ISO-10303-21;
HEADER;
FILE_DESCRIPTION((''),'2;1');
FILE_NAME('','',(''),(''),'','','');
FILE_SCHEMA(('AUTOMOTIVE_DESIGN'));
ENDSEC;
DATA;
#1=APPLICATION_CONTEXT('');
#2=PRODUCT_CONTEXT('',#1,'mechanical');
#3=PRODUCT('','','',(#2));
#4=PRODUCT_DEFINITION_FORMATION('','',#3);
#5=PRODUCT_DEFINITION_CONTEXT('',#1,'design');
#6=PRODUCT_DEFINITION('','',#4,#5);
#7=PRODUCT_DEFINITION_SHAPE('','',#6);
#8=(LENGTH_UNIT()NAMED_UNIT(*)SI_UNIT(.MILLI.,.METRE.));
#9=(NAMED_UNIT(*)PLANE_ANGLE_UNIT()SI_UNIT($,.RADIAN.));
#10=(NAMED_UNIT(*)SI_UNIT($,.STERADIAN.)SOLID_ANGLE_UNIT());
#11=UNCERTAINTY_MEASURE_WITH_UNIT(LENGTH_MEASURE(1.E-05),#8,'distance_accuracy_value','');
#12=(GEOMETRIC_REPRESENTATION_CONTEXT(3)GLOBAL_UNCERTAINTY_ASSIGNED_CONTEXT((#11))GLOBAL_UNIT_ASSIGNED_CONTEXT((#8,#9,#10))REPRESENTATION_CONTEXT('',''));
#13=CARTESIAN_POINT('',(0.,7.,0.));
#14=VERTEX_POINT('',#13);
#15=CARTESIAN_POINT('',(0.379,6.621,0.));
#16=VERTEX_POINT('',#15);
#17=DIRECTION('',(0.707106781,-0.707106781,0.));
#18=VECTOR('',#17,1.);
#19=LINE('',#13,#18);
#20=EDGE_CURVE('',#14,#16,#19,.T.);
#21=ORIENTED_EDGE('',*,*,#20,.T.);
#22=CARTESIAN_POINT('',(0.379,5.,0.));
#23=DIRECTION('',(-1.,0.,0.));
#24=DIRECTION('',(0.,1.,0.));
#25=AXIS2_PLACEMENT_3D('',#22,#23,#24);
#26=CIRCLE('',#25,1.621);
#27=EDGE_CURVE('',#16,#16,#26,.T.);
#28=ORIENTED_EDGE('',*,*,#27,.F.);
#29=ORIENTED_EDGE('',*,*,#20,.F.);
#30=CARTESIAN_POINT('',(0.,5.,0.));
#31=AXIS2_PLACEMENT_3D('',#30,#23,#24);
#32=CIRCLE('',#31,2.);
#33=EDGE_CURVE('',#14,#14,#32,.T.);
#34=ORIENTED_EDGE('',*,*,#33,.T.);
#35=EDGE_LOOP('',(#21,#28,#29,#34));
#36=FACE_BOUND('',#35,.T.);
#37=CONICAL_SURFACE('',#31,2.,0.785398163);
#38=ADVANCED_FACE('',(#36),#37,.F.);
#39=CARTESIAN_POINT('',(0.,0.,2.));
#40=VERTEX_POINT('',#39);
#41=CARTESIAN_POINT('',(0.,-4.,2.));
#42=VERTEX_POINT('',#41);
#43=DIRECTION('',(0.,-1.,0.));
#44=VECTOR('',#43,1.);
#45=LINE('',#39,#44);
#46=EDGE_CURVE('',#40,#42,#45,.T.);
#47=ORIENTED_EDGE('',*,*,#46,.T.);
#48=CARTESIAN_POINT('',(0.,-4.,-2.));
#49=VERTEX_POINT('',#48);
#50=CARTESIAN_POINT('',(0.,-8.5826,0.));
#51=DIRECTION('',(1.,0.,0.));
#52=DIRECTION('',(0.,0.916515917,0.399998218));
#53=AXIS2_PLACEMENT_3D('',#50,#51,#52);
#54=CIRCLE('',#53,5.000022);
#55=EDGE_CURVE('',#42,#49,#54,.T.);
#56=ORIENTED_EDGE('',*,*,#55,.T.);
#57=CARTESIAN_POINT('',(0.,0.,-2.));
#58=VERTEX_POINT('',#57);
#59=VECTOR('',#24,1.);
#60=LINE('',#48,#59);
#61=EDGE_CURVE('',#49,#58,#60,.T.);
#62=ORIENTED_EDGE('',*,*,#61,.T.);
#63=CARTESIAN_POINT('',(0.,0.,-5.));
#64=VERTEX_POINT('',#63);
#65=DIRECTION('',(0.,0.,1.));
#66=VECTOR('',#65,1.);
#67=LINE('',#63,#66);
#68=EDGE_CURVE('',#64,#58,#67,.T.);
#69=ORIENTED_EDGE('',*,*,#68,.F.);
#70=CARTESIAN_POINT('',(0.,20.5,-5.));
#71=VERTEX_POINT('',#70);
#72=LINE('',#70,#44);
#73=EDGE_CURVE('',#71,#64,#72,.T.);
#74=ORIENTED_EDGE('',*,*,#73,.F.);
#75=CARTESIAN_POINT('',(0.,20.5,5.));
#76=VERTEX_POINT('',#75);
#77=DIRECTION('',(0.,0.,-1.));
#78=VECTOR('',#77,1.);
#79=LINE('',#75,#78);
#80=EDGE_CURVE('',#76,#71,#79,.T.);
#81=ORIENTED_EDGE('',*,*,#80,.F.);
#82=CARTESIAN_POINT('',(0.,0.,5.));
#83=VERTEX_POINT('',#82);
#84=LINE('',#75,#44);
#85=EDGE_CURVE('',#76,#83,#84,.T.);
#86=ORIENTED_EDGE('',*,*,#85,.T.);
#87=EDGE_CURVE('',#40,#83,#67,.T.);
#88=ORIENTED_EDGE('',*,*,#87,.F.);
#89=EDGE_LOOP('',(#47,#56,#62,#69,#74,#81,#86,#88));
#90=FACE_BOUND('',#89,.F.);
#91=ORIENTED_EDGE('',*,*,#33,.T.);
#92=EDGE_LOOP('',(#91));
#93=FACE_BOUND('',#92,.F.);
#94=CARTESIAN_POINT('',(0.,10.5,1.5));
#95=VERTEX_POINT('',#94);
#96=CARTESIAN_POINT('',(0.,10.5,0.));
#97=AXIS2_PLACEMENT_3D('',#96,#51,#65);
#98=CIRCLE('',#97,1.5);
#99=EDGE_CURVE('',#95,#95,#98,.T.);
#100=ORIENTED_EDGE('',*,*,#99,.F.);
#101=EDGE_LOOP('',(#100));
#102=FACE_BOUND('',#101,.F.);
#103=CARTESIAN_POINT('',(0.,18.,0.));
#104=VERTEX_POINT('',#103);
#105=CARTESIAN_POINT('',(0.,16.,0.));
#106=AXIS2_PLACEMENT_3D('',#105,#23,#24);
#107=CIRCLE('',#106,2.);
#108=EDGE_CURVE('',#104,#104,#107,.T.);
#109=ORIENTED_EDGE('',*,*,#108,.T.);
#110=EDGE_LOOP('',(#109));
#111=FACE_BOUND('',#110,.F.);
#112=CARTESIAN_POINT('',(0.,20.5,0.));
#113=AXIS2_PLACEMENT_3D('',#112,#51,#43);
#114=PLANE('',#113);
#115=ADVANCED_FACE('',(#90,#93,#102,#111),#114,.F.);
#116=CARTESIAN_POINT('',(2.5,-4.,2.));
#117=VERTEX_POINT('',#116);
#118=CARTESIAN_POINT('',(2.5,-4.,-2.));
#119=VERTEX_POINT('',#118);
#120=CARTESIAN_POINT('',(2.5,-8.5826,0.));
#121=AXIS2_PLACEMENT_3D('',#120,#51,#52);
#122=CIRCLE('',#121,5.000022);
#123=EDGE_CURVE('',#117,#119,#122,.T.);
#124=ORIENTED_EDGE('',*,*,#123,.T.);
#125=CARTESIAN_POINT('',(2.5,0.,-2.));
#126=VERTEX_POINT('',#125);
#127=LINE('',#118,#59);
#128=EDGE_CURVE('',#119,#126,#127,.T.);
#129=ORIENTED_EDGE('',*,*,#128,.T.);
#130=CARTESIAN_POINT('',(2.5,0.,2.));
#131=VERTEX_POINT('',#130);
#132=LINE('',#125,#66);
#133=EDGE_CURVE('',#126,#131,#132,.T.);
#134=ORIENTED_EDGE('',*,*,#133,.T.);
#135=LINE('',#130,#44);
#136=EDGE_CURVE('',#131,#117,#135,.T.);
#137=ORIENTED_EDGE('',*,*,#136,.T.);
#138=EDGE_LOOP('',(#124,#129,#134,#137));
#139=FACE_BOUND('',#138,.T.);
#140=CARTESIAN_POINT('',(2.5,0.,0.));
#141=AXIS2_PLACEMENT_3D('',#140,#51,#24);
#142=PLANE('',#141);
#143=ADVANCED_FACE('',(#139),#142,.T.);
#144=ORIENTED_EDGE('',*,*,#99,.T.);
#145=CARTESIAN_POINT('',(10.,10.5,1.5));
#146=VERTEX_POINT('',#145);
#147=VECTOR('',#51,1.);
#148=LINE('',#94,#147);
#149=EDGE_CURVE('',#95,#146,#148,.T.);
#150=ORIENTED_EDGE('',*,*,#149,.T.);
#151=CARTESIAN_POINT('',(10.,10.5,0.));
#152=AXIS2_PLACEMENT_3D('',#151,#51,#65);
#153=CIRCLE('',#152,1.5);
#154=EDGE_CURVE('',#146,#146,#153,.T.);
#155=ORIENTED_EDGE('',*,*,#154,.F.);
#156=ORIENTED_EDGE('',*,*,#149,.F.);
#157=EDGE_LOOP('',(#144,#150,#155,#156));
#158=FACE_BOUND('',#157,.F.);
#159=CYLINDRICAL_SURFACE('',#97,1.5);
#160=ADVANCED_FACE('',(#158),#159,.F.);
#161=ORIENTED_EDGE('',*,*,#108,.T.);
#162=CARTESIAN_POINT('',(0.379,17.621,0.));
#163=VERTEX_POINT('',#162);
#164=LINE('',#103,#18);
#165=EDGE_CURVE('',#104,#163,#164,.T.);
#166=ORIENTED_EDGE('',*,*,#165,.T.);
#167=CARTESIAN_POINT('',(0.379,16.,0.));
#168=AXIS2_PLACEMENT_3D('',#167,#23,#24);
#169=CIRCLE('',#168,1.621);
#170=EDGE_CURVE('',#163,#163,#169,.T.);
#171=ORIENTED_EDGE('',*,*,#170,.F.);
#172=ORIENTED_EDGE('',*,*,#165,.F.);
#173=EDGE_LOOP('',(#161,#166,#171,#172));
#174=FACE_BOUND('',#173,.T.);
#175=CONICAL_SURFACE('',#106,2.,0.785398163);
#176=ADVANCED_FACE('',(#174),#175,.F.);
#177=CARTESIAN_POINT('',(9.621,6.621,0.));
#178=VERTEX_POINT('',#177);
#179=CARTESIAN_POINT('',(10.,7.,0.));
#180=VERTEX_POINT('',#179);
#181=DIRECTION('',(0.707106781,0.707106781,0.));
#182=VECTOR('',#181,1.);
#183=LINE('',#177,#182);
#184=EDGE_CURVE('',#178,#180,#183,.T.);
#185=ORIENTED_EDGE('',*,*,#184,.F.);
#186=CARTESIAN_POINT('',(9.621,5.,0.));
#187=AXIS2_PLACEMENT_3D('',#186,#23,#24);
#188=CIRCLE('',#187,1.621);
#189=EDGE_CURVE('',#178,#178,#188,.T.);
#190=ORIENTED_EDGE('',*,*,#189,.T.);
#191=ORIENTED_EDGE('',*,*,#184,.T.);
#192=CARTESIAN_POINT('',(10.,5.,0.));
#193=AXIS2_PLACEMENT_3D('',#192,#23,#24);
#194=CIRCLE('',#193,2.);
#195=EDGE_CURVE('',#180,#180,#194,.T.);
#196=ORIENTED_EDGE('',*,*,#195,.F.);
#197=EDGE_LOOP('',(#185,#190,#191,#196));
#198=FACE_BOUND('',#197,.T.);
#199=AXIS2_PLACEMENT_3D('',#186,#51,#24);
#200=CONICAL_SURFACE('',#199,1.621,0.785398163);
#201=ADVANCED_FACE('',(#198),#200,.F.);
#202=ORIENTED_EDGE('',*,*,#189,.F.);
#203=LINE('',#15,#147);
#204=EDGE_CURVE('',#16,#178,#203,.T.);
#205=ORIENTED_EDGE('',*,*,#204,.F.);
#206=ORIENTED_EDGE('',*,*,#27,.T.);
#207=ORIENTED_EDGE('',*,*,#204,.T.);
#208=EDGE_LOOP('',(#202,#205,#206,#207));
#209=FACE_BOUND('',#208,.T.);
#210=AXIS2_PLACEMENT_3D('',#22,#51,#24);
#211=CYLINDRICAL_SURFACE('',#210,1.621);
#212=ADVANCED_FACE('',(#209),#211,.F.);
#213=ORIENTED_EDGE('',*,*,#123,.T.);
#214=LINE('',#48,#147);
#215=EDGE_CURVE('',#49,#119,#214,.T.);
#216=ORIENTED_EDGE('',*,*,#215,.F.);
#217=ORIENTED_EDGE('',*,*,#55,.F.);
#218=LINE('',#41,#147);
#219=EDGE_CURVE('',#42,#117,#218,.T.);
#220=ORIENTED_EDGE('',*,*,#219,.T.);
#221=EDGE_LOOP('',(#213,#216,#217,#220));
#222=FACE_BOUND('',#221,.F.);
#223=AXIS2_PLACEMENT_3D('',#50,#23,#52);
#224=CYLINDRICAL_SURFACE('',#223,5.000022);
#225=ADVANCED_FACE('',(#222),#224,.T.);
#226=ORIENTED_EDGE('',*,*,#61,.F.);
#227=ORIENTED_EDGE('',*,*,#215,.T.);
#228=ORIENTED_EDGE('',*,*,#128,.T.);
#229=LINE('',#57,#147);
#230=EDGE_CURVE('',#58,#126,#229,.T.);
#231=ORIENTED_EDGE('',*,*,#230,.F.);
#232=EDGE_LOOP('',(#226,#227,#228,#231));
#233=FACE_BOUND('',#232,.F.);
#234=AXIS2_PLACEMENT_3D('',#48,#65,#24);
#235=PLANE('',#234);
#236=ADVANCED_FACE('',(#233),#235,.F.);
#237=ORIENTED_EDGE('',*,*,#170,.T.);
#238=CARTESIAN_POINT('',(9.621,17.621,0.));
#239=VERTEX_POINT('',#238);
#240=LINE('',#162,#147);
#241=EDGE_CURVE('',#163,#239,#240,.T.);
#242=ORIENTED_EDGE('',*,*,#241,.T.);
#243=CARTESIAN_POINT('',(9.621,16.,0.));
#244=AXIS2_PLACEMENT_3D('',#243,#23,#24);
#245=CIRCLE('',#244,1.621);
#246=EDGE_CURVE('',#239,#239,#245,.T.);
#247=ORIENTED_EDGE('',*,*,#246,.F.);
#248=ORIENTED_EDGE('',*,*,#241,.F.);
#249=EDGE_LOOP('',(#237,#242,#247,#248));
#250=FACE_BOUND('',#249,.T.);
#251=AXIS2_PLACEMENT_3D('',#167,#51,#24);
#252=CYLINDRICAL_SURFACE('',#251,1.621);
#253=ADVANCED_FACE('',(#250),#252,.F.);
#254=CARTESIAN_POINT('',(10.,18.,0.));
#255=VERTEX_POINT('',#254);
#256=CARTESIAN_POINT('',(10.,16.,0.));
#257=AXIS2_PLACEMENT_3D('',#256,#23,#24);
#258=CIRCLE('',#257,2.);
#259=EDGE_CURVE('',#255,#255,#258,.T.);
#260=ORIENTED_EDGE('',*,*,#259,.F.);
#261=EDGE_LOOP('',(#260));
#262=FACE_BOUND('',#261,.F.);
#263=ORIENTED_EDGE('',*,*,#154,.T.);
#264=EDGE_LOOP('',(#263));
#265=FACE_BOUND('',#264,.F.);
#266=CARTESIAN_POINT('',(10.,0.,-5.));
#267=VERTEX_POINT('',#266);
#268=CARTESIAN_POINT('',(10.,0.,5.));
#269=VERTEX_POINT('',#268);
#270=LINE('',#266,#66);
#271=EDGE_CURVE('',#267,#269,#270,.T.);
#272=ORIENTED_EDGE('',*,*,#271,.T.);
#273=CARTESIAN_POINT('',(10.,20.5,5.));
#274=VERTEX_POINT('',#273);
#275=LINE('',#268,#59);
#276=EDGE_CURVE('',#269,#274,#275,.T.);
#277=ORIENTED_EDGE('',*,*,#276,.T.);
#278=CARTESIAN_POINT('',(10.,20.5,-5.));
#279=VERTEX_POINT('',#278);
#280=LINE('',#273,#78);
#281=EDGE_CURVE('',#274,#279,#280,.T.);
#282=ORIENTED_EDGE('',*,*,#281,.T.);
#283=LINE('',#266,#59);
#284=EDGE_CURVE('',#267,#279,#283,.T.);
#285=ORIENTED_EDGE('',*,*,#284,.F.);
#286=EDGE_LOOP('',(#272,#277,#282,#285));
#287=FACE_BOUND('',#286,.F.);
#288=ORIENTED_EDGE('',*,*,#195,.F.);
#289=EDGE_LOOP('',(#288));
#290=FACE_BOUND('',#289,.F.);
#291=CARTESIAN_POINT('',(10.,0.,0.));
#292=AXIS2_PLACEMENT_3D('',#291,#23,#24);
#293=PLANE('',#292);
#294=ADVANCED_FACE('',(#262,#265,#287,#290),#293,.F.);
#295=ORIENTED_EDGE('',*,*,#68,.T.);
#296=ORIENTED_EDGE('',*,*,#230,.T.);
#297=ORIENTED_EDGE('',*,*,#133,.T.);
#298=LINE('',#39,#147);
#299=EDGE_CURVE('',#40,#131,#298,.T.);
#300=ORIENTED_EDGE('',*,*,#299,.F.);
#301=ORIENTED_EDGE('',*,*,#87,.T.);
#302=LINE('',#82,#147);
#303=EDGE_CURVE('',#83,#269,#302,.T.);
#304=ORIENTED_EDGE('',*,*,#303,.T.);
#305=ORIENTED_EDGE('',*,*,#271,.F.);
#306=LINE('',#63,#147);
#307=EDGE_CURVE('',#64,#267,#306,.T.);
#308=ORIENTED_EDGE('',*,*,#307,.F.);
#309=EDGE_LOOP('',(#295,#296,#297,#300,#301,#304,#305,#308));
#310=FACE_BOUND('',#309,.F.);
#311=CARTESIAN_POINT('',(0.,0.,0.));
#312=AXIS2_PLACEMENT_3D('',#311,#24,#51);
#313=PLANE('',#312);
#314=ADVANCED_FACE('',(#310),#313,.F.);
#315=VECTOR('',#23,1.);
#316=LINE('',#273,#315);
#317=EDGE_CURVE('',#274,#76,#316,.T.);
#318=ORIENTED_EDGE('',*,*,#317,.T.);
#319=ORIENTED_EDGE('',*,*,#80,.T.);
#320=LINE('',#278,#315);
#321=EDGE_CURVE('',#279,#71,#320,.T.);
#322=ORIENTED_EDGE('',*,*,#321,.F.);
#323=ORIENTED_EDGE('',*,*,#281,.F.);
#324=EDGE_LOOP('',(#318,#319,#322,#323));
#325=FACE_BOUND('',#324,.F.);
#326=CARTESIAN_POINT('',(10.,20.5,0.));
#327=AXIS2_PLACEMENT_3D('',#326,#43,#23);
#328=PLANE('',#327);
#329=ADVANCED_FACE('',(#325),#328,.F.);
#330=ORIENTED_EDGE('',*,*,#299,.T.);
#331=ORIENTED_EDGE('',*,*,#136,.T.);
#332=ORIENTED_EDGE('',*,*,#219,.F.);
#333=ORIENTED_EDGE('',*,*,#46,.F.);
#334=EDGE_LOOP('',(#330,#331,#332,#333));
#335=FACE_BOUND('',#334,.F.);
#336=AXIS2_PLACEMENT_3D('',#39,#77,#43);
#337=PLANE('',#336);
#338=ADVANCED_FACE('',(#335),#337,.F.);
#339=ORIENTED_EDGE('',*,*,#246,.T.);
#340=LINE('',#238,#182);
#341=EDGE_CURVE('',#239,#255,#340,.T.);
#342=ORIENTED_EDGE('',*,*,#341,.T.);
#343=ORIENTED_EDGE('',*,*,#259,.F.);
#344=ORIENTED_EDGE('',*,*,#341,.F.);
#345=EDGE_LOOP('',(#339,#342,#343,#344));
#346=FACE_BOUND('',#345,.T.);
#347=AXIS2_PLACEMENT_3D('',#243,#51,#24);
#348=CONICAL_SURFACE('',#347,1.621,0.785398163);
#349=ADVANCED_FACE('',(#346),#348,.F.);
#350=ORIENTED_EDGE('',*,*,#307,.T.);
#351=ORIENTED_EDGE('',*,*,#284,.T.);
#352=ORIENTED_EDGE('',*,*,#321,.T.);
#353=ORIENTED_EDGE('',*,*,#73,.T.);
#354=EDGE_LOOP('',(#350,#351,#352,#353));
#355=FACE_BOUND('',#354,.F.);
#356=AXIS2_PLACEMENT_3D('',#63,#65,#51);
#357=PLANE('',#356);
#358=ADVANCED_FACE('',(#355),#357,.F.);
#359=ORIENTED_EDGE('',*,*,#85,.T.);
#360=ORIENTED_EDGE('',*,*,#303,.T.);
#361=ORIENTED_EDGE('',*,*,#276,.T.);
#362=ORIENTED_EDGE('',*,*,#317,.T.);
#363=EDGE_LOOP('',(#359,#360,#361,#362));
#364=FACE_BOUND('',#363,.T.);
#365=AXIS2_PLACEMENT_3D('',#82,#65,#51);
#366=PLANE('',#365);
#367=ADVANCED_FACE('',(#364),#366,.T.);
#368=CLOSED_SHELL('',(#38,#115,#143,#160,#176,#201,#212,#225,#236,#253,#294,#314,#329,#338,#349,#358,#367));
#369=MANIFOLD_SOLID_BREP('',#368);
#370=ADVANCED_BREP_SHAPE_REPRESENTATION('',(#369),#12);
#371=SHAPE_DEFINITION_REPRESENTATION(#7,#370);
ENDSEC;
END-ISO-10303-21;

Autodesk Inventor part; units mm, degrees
sketch "Sketch_11" plane through (0, 0, 0) normal (0, 0, 1) x (1, 0, 0)
  line L0 (0, 0) -> (10, 0)
  line L1 (10, 0) -> (10, 20.5)
  line L2 (10, 20.5) -> (0, 20.5)
  line L3 (0, 20.5) -> (0, 0)
extrude "Extrusion1" add sketch "Sketch_11" along normal mid plane 10
sketch "Sketch2" plane through (0, 0, 5) normal (-1, 0, 0) x (0, 0, 1)
  point P0 (-5, 10.5)
hole "Hole1" at (0, 10.5, 0) direction (1, 0, 0) diameter 3 depth 10
sketch "Sketch_16" plane through (0, 0, 0) normal (0, 0, 1) x (1, 0, 0)
  line L0 (10, 5) -> (0, 5)
  line L1 (0, 5) -> (0, 7)
  line L2 (0, 7) -> (0.379, 6.621)
  line L3 (0.379, 6.621) -> (9.621, 6.621)
  line L4 (9.621, 6.621) -> (10, 7)
  line L5 (10, 7) -> (10, 5)
  line L6 (10, 5) -> (0, 5)
revolve "Revolution1" cut sketch "Sketch_16" angle 360 about axis through (10, 5, 0) along (-1, 0, 0)
thread "Thread1" size "M4x0.7" class "6H" standard "ISO Metric profile" full length
sketch "Sketch_17" plane through (0, 0, 0) normal (0, 0, 1) x (1, 0, 0)
  line L0 (10, 16) -> (0, 16)
  line L1 (0, 16) -> (0, 18)
  line L2 (0, 18) -> (0.379, 17.621)
  line L3 (0.379, 17.621) -> (9.621, 17.621)
  line L4 (9.621, 17.621) -> (10, 18)
  line L5 (10, 18) -> (10, 16)
  line L6 (10, 16) -> (0, 16)
revolve "Revolution2" cut sketch "Sketch_17" angle 360 about axis through (10, 16, 0) along (-1, 0, 0)
thread "Thread2" size "M4x0.7" class "6H" standard "ISO Metric profile" full length
sketch "Sketch_1" plane through (0, 0, 0) normal (1, 0, 0) x (0, 1, 0)
  arc A0 (-4, 2) -> (-4, -2) centre (-8.5826, 0) ccw
  line L0 (-4, -2) -> (0, -2)
  line L1 (0, -2) -> (0, 2)
  line L2 (0, 2) -> (-4, 2)
extrude "Extrusion2" add sketch "Sketch_1" along normal blind 2.5
ref_plane "ANBAU_XY" through (0, 0, 0) normal (-1, 0, 0) x (0, 0, -1)
ref_plane "ANBAU_YZ" through (0, 0, 0) normal (0, 0, -1) x (0, -1, 0)
ref_plane "ANBAU_ZX" through (0, 0, 0) normal (0, -1, 0) x (-1, 0, 0)
properties part number "HGP-16---(116_JAW)"
